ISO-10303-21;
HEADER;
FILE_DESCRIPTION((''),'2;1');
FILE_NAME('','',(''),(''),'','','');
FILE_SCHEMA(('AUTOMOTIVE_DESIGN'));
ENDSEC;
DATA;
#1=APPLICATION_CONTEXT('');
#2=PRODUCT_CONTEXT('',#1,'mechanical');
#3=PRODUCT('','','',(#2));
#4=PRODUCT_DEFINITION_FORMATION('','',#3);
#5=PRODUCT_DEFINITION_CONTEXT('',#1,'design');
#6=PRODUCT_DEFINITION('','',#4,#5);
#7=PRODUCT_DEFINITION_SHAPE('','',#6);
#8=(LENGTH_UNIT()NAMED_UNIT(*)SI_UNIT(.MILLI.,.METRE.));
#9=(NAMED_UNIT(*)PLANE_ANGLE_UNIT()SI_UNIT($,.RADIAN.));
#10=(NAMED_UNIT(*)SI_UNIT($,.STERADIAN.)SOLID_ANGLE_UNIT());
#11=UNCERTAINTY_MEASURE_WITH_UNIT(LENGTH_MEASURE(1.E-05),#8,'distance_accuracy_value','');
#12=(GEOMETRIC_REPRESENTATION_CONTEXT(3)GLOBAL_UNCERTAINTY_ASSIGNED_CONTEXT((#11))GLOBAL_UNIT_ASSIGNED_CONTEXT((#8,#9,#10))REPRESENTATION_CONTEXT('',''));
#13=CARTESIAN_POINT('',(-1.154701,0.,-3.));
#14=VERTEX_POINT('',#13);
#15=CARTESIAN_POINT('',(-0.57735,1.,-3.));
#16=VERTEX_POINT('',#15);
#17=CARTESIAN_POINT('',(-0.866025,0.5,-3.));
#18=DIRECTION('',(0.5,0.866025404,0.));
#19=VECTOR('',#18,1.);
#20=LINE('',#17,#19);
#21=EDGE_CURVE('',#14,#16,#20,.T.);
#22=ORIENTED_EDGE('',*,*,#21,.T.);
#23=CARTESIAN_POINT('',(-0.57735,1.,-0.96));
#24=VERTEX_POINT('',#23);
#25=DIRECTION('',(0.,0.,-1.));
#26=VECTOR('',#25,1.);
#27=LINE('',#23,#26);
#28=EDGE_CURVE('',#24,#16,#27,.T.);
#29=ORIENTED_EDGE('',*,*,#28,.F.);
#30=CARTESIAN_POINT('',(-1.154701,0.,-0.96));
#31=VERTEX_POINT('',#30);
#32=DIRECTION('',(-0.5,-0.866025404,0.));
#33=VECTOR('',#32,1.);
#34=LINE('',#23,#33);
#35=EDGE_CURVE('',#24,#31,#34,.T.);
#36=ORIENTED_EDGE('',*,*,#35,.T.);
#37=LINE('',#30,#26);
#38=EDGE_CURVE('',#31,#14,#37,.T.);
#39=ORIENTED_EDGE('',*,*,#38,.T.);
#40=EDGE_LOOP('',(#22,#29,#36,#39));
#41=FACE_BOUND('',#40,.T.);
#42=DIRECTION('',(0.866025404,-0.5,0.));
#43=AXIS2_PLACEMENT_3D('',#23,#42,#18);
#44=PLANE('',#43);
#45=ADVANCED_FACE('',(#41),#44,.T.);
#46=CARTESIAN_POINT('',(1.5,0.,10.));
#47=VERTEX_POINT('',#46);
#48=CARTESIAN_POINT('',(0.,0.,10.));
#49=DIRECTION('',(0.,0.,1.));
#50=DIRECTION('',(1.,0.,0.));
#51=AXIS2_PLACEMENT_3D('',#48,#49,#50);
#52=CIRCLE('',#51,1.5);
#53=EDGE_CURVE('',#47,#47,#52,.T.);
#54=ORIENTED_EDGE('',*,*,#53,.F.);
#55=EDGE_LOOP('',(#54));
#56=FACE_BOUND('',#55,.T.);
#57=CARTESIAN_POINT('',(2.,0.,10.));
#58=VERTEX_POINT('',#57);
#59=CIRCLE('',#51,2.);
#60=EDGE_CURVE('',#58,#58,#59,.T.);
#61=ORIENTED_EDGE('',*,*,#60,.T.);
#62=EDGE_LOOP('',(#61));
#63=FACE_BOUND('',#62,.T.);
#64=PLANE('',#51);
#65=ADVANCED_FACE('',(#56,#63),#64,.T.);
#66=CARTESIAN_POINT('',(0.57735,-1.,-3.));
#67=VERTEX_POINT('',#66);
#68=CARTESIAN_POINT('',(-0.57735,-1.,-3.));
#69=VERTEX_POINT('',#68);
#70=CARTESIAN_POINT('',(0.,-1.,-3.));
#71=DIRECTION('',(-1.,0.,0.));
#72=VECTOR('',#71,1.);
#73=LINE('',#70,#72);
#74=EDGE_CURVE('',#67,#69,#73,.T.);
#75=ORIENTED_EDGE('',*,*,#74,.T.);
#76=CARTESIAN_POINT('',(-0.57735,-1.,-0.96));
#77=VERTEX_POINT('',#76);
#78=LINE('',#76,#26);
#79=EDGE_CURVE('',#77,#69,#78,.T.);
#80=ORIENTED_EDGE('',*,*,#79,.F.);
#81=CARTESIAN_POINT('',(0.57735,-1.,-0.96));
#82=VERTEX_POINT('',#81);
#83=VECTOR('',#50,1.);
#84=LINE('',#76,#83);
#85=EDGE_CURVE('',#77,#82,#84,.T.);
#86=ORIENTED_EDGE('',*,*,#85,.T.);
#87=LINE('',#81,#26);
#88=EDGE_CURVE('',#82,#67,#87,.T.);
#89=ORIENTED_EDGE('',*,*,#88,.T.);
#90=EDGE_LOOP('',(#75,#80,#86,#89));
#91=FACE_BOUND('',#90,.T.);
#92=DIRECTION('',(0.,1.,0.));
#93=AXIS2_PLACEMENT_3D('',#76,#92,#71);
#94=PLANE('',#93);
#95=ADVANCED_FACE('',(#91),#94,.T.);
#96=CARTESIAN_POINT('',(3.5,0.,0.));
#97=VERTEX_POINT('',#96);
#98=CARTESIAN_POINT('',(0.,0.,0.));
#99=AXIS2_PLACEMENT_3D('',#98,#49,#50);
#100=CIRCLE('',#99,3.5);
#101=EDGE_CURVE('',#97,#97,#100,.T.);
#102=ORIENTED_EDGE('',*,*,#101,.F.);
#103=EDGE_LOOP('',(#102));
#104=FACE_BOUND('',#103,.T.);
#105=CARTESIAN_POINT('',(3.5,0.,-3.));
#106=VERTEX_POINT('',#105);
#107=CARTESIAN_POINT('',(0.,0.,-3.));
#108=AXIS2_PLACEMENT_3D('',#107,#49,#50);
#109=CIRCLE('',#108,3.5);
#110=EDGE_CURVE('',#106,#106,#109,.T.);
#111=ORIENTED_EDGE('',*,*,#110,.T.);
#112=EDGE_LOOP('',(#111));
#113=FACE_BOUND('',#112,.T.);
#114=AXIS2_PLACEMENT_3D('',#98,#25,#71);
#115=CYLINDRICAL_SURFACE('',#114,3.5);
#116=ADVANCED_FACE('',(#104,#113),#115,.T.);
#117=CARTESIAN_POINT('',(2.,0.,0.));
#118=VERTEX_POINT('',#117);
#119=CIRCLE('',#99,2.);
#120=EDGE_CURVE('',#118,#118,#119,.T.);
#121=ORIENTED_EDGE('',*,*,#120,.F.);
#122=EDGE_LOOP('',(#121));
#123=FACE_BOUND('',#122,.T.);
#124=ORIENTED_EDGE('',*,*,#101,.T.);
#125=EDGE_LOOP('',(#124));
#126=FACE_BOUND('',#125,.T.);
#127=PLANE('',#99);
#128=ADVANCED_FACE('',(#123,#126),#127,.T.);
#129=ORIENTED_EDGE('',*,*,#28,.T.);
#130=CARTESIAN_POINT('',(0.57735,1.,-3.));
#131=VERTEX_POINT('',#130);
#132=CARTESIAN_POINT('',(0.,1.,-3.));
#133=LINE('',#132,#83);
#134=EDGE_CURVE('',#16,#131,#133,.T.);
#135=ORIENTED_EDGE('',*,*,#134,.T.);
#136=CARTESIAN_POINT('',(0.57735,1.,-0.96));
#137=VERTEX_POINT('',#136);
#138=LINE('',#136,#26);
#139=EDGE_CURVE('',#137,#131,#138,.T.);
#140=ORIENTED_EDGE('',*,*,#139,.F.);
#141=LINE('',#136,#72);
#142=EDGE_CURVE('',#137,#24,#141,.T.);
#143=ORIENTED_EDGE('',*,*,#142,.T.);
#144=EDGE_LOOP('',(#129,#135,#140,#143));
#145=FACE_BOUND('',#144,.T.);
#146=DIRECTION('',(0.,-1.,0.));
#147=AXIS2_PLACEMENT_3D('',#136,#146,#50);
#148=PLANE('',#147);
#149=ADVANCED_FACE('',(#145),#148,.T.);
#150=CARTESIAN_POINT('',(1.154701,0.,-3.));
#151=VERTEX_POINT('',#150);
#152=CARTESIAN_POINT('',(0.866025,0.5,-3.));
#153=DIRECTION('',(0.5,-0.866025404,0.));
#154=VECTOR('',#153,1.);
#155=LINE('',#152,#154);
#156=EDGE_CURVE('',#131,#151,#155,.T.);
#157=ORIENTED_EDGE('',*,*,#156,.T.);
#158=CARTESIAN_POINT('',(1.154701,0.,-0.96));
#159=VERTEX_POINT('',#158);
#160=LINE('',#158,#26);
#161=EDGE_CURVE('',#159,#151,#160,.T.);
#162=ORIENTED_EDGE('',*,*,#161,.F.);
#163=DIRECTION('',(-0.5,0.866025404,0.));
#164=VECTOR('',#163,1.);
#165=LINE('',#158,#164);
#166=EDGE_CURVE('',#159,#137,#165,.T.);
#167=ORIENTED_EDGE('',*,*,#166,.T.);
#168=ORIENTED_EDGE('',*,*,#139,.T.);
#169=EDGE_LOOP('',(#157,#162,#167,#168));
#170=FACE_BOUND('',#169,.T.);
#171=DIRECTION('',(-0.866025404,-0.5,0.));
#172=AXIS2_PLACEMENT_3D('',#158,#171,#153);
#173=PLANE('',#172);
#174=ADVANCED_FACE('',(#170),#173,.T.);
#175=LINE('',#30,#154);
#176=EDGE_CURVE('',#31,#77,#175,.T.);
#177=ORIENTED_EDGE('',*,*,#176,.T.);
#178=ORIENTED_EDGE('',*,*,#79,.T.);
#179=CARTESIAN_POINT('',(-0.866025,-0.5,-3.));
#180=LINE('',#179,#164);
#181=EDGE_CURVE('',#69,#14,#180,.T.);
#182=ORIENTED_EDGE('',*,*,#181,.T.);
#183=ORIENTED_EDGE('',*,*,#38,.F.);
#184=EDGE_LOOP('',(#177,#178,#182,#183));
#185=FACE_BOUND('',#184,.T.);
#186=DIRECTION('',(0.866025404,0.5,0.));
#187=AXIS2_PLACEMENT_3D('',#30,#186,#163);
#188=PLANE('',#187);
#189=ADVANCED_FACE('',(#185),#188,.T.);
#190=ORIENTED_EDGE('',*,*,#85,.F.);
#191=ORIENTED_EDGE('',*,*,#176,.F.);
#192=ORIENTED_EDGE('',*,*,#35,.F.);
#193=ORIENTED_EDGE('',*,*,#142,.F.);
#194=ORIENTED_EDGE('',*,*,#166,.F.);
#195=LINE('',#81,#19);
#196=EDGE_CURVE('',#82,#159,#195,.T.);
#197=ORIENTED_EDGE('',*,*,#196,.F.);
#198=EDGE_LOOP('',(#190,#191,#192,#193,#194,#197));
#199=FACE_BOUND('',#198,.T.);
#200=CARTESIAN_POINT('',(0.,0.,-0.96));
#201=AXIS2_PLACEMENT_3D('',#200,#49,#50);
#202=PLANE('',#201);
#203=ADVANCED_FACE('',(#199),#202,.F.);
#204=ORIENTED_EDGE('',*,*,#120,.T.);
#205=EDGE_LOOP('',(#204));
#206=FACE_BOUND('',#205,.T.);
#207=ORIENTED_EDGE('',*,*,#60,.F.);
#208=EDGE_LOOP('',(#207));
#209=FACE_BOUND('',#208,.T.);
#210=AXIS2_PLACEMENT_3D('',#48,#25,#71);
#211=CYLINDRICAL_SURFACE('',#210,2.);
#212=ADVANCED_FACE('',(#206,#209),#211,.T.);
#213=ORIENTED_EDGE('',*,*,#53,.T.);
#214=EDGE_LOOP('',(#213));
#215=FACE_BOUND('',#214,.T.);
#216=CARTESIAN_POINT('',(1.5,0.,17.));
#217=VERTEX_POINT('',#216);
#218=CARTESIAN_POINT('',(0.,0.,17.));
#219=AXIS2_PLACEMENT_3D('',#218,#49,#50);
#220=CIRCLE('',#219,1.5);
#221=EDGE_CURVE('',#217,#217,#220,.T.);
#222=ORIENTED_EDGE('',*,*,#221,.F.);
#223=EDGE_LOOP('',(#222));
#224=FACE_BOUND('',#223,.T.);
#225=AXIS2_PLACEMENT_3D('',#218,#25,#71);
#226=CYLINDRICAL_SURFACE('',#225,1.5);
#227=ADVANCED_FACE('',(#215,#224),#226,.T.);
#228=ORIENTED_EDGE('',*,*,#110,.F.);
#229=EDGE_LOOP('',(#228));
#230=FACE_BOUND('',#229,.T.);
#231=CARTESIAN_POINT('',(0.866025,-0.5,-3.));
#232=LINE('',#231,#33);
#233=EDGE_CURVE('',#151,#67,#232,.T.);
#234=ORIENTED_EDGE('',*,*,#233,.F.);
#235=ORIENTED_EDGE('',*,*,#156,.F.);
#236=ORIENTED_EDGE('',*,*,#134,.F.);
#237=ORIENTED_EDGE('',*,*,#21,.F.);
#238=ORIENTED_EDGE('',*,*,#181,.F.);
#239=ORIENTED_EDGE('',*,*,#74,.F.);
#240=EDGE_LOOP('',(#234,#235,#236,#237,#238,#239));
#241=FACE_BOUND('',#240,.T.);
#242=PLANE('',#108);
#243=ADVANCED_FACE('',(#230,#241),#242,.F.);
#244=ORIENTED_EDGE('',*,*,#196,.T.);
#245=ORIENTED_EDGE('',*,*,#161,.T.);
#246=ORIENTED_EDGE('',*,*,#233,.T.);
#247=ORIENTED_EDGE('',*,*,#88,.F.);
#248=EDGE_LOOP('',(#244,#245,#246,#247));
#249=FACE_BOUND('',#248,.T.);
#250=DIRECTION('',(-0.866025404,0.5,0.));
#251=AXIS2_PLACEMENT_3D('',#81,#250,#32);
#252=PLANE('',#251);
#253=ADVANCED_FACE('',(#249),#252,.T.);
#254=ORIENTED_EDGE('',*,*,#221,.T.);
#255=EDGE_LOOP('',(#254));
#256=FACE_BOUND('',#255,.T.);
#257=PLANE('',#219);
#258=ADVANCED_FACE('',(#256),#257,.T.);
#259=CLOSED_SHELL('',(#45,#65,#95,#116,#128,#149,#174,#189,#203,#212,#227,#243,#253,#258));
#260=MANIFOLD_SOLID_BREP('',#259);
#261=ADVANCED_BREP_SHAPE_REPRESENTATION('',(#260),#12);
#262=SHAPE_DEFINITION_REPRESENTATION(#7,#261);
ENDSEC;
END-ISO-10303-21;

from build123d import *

# Parameters (mm, degrees)
F_01_START                             = -3
S01_SOCKET_HEAD_R                      = 3.5
F_01_SOCKET_HEAD_DEPTH                 = 3
S02_GROUND_SHOULDER_R                  = 2
F_02_GROUND_SHOULDER_DEPTH             = 10
F_03_START                             = 10
S03_THREADED_TIP_MAJOR_DIAMETER_R      = 1.5
F_03_THREADED_TIP_MAJOR_DIAMETER_DEPTH = 7
F_04_START                             = -3.1
F_04_HEXAGONAL_DRIVE_DEPTH             = 2.14


with BuildPart() as part:
    # S01 - Socket head → 01 - Socket head (new body)
    with BuildSketch(Plane.XY.offset(F_01_START)):
        Circle(S01_SOCKET_HEAD_R)
    extrude(amount=F_01_SOCKET_HEAD_DEPTH)

    # S02 - Ground shoulder → 02 - Ground shoulder (add)
    with BuildSketch(Plane.XY):
        Circle(S02_GROUND_SHOULDER_R)
    extrude(amount=F_02_GROUND_SHOULDER_DEPTH)

    # S03 - Threaded tip major diameter → 03 - Threaded tip major diameter (add)
    with BuildSketch(Plane.XY.offset(F_03_START)):
        Circle(S03_THREADED_TIP_MAJOR_DIAMETER_R)
    extrude(amount=F_03_THREADED_TIP_MAJOR_DIAMETER_DEPTH)

    # S04 - Hexagonal drive → 04 - Hexagonal drive (cut)
    with BuildSketch(Plane.XY.offset(F_04_START)):
        Polygon((1.154700538, 0), (0.577350269, 1), (-0.577350269, 1), (-1.154700538, 0), (-0.577350269, -1), (0.577350269, -1), align=None)
    extrude(amount=F_04_HEXAGONAL_DRIVE_DEPTH, mode=Mode.SUBTRACT)


solid = part.part
